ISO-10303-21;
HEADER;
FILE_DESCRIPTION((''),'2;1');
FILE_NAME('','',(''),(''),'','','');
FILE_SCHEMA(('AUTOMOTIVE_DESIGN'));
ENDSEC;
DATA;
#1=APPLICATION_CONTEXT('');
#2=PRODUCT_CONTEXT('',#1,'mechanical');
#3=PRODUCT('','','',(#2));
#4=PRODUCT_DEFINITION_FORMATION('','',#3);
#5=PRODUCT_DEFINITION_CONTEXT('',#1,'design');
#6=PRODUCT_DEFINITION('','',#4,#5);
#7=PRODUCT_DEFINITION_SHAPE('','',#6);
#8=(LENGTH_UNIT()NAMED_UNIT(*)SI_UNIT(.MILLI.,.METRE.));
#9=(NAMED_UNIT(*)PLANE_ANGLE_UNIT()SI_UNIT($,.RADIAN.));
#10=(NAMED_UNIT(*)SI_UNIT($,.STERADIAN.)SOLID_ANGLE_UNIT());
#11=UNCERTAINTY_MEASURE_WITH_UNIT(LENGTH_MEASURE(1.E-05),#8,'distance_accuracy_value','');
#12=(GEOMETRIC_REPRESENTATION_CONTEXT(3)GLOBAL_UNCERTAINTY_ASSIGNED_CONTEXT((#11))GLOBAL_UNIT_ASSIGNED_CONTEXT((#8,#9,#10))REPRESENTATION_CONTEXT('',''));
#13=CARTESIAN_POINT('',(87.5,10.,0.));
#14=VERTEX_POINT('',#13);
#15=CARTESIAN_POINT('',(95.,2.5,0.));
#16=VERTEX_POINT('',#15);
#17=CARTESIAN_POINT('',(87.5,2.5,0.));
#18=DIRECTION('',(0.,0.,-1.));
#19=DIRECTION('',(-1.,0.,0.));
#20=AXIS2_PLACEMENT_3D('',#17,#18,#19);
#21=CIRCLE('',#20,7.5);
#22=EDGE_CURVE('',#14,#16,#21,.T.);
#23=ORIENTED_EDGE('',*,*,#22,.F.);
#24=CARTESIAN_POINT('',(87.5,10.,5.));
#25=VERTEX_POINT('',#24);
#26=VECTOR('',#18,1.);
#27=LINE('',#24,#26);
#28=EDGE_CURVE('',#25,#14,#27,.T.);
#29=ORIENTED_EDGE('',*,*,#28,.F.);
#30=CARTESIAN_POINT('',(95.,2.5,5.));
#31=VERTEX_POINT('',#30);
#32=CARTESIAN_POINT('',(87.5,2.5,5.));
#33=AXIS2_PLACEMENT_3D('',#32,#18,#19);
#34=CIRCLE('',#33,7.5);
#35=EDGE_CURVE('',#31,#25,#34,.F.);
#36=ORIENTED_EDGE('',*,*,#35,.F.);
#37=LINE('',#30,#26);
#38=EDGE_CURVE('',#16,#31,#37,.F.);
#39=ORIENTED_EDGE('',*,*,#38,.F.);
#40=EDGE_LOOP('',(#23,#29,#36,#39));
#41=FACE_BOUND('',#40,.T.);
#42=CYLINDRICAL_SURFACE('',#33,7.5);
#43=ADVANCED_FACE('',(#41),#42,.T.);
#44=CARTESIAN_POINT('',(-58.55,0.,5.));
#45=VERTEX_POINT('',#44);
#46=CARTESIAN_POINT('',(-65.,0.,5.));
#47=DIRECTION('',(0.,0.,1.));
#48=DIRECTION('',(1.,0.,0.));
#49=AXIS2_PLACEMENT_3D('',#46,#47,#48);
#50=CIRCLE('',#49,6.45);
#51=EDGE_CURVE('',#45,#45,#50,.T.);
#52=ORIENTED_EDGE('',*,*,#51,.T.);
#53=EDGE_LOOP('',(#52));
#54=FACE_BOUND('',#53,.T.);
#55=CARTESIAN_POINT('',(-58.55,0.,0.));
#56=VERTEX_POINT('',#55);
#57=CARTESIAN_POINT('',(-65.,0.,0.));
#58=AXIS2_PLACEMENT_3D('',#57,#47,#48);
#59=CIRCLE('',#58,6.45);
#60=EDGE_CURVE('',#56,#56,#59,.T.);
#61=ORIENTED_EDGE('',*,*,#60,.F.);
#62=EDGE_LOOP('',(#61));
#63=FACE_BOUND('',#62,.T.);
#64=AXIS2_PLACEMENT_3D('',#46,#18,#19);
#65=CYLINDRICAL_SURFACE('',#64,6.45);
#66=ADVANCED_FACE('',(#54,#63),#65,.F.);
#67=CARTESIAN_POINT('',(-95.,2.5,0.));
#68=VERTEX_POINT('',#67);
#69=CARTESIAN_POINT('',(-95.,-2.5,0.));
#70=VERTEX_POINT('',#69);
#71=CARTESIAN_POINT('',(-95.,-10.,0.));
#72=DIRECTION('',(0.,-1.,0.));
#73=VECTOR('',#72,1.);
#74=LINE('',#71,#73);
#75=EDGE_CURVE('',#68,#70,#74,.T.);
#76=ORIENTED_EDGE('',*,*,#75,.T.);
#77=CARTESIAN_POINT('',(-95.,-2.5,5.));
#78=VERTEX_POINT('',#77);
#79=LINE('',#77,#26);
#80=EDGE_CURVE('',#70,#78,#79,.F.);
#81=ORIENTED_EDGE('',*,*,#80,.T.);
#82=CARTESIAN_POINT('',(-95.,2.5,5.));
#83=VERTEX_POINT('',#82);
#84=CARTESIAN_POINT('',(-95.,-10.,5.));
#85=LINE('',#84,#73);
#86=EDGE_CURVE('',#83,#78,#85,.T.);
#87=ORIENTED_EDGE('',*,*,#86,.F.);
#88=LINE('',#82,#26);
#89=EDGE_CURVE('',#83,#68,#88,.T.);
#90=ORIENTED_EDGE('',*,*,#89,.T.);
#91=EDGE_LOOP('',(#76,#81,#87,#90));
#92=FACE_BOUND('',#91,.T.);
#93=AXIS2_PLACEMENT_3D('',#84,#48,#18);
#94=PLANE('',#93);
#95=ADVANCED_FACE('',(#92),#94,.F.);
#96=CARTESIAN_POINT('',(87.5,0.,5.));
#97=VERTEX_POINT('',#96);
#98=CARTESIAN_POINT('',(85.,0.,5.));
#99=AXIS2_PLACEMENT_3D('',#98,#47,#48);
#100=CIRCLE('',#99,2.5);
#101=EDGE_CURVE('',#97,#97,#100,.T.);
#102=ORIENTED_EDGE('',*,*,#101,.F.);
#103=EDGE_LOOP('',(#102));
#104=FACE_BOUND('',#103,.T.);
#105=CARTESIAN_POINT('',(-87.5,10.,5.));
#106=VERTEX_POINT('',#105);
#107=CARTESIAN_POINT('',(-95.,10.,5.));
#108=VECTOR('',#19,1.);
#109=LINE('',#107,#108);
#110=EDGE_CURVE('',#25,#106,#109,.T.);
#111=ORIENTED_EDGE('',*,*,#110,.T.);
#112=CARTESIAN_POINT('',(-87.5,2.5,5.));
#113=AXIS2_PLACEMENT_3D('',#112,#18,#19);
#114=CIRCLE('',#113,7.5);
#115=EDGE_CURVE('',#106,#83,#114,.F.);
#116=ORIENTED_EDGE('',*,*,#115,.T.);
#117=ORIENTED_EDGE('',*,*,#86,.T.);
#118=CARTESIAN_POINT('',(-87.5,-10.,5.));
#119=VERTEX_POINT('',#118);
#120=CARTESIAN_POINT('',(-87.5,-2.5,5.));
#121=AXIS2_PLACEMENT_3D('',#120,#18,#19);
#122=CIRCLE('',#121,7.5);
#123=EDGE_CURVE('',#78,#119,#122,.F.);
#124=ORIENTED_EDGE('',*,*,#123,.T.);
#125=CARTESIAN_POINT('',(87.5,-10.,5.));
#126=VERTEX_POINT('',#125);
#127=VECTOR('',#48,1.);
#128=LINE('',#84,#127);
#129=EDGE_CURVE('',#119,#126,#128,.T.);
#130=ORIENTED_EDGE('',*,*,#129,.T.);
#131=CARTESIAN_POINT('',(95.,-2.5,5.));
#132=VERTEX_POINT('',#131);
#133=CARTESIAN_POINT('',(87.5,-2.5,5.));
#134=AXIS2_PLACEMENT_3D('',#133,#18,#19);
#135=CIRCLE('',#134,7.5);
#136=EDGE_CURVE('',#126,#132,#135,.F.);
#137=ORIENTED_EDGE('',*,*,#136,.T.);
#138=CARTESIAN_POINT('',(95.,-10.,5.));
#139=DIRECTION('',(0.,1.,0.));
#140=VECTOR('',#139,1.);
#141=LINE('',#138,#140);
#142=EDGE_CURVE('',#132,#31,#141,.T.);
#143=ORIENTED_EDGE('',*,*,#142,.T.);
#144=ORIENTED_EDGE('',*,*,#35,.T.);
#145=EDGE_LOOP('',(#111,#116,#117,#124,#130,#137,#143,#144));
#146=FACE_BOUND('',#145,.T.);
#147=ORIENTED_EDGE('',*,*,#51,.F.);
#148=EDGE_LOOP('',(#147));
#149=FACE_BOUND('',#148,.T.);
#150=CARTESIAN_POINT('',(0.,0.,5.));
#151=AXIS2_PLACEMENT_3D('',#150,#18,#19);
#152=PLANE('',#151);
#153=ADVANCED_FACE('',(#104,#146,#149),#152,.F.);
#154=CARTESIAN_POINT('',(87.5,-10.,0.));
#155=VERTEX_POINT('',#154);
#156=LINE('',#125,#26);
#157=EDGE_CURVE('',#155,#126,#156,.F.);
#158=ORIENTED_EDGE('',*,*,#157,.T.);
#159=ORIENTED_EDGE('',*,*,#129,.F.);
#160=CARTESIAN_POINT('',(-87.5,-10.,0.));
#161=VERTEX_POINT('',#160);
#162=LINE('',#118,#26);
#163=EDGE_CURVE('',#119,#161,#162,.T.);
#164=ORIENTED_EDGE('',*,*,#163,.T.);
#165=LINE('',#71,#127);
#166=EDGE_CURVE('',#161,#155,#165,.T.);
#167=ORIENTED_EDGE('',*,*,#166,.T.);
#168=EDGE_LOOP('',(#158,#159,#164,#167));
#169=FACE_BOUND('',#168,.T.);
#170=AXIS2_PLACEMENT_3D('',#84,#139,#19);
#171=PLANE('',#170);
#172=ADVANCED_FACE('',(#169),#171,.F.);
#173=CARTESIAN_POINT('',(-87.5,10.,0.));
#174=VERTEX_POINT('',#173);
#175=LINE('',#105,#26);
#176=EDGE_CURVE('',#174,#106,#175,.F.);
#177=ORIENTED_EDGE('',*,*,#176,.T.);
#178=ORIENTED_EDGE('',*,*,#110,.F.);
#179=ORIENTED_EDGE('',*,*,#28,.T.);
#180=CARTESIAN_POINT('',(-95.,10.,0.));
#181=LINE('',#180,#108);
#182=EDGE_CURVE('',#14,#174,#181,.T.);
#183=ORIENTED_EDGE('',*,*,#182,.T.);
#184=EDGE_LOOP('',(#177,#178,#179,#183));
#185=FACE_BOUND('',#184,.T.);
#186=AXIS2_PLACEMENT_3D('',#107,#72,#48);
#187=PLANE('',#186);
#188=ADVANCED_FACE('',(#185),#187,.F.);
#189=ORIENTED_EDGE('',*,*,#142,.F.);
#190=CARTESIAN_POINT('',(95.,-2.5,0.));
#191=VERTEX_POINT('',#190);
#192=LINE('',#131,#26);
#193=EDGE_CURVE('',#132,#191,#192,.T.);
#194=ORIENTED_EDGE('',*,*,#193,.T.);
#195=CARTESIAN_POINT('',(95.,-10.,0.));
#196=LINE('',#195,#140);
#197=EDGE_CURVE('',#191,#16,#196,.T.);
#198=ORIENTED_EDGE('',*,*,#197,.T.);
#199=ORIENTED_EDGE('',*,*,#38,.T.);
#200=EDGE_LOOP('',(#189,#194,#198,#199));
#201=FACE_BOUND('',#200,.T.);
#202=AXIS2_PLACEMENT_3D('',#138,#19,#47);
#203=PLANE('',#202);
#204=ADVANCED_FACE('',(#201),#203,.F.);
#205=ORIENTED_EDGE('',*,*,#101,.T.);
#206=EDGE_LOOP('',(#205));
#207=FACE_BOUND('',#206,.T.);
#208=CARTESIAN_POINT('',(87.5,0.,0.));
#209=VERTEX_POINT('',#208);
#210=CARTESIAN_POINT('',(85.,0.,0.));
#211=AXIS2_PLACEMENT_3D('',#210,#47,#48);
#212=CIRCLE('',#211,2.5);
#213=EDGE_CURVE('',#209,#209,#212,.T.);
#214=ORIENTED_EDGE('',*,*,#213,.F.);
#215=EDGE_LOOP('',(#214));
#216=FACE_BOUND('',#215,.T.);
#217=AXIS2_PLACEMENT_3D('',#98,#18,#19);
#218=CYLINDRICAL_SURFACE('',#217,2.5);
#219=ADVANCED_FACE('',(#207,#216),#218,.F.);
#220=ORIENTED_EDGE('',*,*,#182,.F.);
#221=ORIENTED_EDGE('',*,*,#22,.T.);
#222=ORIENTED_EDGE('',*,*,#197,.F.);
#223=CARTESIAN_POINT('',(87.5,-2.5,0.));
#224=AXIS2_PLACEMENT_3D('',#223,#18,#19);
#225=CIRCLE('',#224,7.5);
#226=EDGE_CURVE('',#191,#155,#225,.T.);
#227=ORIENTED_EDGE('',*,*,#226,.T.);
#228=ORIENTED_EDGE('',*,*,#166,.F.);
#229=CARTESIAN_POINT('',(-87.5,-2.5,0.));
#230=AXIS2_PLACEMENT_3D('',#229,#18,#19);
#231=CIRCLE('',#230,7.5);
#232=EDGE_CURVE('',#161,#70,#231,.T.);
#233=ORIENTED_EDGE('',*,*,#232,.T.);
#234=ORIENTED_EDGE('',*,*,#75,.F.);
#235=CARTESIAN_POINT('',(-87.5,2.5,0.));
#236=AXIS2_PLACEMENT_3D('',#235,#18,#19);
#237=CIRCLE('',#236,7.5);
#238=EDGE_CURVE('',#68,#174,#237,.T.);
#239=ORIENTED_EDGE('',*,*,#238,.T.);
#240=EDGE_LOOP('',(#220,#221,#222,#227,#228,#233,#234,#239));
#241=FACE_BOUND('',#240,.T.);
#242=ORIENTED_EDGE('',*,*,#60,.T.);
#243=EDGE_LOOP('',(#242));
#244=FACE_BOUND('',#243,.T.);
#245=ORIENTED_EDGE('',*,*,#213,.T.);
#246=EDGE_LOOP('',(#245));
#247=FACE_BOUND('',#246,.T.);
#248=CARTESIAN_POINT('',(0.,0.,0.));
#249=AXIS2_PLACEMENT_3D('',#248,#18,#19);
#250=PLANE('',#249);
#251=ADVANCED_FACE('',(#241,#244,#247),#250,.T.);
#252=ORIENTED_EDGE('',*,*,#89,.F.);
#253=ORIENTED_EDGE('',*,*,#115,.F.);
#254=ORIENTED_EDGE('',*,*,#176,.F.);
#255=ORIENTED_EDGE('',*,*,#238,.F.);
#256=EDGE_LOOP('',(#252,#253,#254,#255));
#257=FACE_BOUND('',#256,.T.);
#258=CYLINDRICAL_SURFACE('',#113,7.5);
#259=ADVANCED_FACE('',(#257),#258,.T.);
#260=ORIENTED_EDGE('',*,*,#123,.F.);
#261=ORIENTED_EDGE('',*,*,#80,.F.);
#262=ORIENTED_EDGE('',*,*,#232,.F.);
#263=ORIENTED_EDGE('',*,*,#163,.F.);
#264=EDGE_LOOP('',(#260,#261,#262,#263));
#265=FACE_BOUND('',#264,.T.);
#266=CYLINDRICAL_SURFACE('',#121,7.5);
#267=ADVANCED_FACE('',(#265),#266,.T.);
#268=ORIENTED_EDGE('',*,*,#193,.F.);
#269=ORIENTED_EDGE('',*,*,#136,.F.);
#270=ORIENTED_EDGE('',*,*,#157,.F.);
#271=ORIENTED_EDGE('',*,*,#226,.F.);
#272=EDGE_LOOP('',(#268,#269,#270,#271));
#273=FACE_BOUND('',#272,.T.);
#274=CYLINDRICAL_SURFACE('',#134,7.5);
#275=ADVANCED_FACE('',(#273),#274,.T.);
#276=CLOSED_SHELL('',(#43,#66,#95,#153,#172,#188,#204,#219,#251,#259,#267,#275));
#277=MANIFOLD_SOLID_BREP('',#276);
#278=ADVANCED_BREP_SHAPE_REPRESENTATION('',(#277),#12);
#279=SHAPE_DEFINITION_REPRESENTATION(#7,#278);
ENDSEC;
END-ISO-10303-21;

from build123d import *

# Parameters (mm, degrees)
SKETCH1_W           = 190
SKETCH1_H           = 20
SKETCH1_R           = 6.45
SKETCH1_R_2         = 2.5
BOSS_EXTRUDE1_DEPTH = 5
FILLET1_R           = 7.5


with BuildPart() as part:
    # Sketch1 → Boss-Extrude1 (new body)
    with BuildSketch(Plane.XY):
        Rectangle(SKETCH1_W, SKETCH1_H)
        with Locations((-65, 0)):
            Circle(SKETCH1_R, mode=Mode.SUBTRACT)
        with Locations((85, 0)):
            Circle(SKETCH1_R_2, mode=Mode.SUBTRACT)
    extrude(amount=BOSS_EXTRUDE1_DEPTH)

    # Fillet1
    fillet1_edges = [part.edges().sort_by_distance(p)[0] for p in [
        (-95, 10, 2.5),
        (95, 10, 2.5),
        (95, -10, 2.5),
        (-95, -10, 2.5),
    ]]
    fillet(fillet1_edges, radius=FILLET1_R)


solid = part.part
